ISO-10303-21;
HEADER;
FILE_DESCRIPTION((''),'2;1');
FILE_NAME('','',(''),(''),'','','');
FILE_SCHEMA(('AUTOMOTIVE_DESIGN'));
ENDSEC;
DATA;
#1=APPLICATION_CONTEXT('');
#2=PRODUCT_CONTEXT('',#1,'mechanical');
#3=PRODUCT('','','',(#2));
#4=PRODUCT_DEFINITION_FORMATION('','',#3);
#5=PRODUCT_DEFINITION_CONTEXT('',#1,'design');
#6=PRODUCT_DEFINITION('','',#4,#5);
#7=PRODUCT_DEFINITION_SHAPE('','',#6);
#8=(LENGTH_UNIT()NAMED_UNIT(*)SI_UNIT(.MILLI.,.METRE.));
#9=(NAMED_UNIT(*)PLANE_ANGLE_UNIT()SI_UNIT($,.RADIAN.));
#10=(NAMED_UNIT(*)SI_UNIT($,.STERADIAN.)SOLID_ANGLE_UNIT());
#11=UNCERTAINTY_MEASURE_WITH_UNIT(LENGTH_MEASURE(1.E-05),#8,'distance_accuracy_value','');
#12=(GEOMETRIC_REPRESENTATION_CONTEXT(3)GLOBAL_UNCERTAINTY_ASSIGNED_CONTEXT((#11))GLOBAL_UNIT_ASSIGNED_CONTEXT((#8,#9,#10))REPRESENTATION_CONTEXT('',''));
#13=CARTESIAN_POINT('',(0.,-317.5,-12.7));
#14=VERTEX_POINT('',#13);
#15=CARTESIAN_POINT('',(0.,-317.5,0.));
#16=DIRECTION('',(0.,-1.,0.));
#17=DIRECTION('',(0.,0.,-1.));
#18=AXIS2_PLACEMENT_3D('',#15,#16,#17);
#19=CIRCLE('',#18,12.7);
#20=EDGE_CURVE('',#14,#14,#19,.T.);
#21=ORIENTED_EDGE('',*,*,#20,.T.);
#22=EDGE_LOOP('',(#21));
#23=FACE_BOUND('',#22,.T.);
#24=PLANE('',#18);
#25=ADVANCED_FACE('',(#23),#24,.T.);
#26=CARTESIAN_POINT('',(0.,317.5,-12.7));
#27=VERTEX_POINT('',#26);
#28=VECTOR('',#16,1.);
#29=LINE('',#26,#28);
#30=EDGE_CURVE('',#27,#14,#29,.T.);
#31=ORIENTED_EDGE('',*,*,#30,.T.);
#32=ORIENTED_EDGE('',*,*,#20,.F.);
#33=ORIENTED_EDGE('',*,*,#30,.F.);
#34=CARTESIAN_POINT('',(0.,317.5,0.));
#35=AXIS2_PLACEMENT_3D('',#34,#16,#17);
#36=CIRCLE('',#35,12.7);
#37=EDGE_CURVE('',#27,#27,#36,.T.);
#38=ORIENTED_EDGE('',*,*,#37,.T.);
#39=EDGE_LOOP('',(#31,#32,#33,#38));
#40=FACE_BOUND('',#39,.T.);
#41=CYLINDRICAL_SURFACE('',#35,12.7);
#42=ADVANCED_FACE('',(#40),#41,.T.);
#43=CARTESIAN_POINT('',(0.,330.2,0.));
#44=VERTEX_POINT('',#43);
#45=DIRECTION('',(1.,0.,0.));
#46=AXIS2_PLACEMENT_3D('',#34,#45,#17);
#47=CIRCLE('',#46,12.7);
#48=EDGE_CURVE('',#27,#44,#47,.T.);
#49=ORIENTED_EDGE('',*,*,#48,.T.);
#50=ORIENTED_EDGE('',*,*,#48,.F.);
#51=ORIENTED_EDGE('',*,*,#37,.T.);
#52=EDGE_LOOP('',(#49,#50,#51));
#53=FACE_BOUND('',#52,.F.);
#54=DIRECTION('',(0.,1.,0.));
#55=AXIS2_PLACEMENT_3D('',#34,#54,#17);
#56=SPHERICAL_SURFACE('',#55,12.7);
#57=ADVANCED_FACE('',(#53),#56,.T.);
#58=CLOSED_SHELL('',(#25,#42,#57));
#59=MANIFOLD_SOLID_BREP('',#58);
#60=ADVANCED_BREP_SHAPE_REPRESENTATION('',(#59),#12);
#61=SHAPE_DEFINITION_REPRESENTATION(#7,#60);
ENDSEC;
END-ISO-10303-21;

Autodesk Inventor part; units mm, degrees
ref_plane "YZ Plane" through (0, 0, 0) normal (1, 0, 0) x (0, 1, 0)
ref_plane "XZ Plane" through (0, 0, 0) normal (0, 1, 0) x (-1, 0, 0)
ref_plane "XY Plane" through (0, 0, 0) normal (0, 0, 1) x (1, 0, 0)
sketch "Sketch1" plane through (0, 0, 0) normal (1, 0, 0) x (0, 1, 0)
  line L0 (317.5, -12.7) -> (-317.5, -12.7)
  line L1 (-317.5, -12.7) -> (-317.5, 0)
  arc A0 (317.5, -12.7) -> (330.2, 0) centre (317.5, 0) ccw
  line L2 (330.2, 0) -> (-317.5, 0)
  line L3 (386.259, 0) -> (-534.3178, 0)
  point P0 (0, 0)
revolve "Revolution1" add sketch "Sketch1" angle 360 about axis through (0, 386.259, 0) along (0, -1, 0)
